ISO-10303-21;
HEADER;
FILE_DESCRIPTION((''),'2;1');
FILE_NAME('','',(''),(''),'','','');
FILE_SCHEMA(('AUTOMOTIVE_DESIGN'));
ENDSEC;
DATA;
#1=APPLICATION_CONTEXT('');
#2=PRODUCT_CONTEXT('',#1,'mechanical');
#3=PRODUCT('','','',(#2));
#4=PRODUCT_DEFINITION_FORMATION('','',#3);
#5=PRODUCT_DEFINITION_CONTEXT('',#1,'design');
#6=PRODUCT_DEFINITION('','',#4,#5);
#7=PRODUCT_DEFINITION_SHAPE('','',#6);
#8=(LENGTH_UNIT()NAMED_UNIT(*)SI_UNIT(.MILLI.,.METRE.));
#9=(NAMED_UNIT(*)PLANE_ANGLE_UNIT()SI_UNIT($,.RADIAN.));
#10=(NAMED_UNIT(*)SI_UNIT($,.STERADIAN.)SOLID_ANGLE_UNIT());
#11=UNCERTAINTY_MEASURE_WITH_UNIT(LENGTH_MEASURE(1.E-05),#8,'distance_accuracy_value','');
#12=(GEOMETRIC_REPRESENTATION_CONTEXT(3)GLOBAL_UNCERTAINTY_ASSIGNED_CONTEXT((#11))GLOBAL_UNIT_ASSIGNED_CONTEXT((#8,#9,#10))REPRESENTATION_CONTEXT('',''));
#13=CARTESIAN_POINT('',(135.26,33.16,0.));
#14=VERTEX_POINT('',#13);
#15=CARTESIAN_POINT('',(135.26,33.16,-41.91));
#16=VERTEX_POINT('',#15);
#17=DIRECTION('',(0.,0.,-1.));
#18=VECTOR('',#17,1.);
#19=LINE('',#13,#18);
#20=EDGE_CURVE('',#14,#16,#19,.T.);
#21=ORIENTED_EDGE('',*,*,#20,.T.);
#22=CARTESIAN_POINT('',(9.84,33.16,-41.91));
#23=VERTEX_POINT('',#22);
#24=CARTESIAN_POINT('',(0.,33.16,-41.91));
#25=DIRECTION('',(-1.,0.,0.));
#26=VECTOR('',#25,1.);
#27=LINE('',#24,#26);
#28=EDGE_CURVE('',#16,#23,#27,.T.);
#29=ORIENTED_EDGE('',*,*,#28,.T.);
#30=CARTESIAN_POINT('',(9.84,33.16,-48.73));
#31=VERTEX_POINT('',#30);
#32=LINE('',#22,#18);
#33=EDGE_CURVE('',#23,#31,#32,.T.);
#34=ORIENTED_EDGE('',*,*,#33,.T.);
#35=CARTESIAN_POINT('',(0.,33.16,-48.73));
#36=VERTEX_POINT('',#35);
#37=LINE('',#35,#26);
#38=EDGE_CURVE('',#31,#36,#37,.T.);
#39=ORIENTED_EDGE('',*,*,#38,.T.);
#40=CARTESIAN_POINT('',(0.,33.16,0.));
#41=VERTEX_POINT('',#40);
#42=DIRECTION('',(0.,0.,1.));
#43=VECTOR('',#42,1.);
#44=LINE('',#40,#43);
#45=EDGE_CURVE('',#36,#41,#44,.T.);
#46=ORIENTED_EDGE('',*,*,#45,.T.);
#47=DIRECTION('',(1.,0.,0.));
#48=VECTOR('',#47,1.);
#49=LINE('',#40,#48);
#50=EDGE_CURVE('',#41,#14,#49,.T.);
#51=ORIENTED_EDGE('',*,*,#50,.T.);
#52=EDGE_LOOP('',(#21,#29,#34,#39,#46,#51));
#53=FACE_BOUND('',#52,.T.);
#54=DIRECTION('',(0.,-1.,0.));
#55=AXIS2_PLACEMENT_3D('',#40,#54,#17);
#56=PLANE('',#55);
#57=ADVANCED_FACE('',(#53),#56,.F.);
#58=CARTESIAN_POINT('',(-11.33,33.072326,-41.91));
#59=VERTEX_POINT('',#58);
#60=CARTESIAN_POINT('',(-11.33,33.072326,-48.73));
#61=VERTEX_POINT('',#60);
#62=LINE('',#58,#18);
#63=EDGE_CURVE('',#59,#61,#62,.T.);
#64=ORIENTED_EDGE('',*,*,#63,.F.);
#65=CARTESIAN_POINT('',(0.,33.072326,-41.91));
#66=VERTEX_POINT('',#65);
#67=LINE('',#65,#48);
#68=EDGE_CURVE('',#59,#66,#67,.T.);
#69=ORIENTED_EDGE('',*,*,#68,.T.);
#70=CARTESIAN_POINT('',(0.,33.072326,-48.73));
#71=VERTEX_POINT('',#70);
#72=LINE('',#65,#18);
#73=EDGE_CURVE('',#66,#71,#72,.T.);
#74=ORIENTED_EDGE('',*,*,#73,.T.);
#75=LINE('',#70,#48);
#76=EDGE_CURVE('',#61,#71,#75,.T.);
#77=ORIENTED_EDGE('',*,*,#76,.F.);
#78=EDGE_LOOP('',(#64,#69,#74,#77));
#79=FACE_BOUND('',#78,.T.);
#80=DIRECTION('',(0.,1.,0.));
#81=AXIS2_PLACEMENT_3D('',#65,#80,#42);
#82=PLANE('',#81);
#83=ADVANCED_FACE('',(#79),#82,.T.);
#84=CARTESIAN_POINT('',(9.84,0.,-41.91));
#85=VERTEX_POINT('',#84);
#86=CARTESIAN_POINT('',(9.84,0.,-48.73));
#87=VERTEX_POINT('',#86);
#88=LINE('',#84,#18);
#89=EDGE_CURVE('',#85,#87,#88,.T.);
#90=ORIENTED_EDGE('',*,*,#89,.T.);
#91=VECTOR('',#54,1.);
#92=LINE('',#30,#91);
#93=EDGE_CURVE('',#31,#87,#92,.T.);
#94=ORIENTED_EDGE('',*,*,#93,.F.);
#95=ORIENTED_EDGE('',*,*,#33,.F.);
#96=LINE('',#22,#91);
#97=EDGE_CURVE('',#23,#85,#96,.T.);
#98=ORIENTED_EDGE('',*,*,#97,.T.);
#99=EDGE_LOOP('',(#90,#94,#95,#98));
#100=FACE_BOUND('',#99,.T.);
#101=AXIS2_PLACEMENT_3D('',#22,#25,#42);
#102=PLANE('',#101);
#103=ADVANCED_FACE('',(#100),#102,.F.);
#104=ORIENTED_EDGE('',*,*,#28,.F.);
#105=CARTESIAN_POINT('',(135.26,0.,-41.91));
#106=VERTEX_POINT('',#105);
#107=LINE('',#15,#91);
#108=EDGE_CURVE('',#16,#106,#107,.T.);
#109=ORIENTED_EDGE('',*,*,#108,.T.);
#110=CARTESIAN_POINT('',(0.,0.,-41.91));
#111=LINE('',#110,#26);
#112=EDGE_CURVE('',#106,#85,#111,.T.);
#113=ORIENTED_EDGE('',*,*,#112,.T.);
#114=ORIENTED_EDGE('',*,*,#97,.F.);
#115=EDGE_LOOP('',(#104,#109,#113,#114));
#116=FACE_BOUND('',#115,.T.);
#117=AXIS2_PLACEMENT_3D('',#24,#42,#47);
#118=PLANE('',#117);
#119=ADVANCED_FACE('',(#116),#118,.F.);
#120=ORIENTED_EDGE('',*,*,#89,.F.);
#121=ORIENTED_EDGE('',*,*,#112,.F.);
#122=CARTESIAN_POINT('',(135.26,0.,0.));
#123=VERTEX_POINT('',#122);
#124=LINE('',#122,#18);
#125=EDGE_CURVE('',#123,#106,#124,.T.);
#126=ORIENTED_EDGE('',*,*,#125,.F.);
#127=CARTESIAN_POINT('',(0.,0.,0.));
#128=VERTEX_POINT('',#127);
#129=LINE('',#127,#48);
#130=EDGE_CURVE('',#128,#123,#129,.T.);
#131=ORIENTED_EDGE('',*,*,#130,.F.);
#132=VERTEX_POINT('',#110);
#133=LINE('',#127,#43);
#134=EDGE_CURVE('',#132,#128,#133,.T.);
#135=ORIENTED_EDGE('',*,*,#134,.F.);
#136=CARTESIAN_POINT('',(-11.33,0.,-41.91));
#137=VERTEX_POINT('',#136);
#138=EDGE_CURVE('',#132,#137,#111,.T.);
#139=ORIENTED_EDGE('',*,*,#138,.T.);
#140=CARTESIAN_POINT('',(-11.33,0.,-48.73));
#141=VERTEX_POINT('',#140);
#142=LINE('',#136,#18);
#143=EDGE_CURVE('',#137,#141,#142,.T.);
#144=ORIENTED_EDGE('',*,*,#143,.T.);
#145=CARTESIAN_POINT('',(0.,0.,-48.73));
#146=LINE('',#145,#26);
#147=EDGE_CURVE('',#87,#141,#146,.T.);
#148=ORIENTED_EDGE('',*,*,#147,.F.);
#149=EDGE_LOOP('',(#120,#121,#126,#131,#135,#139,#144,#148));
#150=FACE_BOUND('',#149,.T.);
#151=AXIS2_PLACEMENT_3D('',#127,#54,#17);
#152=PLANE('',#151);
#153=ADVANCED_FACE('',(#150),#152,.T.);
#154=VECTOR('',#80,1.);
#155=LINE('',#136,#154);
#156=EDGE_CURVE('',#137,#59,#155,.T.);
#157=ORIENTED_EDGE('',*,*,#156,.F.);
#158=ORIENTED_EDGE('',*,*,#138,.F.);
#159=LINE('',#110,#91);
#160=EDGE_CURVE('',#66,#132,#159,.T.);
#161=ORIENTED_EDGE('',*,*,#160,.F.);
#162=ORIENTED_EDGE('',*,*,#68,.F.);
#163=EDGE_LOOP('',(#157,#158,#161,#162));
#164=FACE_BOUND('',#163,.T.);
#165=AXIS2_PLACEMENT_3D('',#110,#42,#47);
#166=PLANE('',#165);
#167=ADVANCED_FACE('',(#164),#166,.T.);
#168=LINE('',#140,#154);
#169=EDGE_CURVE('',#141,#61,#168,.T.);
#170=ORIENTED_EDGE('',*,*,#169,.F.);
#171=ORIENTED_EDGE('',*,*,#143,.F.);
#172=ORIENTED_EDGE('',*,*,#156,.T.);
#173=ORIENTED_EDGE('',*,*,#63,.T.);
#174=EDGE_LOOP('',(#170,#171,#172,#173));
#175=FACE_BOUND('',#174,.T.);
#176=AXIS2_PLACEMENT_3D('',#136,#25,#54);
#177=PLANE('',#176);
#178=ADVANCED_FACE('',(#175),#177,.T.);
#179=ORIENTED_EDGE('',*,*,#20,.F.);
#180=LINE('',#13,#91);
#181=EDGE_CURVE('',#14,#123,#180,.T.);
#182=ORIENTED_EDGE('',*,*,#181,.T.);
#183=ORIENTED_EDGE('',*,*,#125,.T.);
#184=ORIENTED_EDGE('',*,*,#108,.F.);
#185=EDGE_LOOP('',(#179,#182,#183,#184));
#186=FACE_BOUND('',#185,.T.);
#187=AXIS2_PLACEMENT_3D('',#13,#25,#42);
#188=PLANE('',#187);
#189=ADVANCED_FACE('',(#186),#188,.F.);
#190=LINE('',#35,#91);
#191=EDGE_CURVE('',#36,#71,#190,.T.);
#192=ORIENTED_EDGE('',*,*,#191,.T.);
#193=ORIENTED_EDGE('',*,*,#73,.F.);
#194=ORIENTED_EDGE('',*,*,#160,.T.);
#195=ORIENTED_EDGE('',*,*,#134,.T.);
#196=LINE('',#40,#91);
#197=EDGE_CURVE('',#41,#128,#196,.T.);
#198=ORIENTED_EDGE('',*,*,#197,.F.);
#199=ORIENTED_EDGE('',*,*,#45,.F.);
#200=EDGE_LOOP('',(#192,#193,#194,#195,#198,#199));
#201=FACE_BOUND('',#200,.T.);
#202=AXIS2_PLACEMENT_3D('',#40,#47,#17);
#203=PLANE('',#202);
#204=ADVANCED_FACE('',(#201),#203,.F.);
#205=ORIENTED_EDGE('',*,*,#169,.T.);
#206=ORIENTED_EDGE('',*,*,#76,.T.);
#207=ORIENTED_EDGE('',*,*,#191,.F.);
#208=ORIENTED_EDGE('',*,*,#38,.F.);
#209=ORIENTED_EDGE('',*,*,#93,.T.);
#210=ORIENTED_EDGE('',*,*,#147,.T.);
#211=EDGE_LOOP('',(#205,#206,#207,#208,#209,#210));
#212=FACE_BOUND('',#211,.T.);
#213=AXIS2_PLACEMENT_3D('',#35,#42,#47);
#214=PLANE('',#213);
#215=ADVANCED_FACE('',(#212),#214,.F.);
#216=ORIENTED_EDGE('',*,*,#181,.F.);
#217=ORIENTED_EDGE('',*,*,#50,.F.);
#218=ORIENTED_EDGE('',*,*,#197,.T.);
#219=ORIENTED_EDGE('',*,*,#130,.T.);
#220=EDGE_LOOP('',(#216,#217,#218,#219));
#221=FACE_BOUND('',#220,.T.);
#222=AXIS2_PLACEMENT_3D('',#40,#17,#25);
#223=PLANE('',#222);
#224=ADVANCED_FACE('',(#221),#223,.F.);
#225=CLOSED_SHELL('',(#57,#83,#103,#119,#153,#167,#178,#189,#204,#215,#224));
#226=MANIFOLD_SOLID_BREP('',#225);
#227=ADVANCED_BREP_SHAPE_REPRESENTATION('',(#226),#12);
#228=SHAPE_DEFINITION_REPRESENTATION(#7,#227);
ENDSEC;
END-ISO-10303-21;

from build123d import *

# Parameters (mm, degrees)
SKETCH2_W           = 135.26
SKETCH2_H           = 41.91
BOSS_EXTRUDE1_DEPTH = 33.16
SKETCH3_W           = 9.84
SKETCH3_H           = 6.82
BOSS_EXTRUDE2_DEPTH = 33.16
SKETCH7_W           = 11.33
SKETCH7_H           = 33.072325858
BOSS_EXTRUDE3_DEPTH = 6.82


with BuildPart() as part:
    # Sketch2 → Boss-Extrude1 (new body)
    with BuildSketch(Plane(origin=(0, 0, 0), x_dir=(1, 0, 0), z_dir=(0, 1, 0))):
        with Locations((67.63, 20.955)):
            Rectangle(SKETCH2_W, SKETCH2_H)
    extrude(amount=BOSS_EXTRUDE1_DEPTH)

    # Sketch3 → Boss-Extrude2 (add)
    with BuildSketch(Plane(origin=(0, 0, 0), x_dir=(1, 0, 0), z_dir=(0, 1, 0))):
        with Locations((4.92, 45.32)):
            Rectangle(SKETCH3_W, SKETCH3_H)
    extrude(amount=BOSS_EXTRUDE2_DEPTH)

    # Sketch7 → Boss-Extrude3 (add)
    with BuildSketch(Plane(origin=(0, 0, -48.73), x_dir=(-1, 0, 0), z_dir=(0, 0, -1))):
        with Locations((5.665, 16.536162929)):
            Rectangle(SKETCH7_W, SKETCH7_H)
    extrude(amount=-BOSS_EXTRUDE3_DEPTH)


solid = part.part
